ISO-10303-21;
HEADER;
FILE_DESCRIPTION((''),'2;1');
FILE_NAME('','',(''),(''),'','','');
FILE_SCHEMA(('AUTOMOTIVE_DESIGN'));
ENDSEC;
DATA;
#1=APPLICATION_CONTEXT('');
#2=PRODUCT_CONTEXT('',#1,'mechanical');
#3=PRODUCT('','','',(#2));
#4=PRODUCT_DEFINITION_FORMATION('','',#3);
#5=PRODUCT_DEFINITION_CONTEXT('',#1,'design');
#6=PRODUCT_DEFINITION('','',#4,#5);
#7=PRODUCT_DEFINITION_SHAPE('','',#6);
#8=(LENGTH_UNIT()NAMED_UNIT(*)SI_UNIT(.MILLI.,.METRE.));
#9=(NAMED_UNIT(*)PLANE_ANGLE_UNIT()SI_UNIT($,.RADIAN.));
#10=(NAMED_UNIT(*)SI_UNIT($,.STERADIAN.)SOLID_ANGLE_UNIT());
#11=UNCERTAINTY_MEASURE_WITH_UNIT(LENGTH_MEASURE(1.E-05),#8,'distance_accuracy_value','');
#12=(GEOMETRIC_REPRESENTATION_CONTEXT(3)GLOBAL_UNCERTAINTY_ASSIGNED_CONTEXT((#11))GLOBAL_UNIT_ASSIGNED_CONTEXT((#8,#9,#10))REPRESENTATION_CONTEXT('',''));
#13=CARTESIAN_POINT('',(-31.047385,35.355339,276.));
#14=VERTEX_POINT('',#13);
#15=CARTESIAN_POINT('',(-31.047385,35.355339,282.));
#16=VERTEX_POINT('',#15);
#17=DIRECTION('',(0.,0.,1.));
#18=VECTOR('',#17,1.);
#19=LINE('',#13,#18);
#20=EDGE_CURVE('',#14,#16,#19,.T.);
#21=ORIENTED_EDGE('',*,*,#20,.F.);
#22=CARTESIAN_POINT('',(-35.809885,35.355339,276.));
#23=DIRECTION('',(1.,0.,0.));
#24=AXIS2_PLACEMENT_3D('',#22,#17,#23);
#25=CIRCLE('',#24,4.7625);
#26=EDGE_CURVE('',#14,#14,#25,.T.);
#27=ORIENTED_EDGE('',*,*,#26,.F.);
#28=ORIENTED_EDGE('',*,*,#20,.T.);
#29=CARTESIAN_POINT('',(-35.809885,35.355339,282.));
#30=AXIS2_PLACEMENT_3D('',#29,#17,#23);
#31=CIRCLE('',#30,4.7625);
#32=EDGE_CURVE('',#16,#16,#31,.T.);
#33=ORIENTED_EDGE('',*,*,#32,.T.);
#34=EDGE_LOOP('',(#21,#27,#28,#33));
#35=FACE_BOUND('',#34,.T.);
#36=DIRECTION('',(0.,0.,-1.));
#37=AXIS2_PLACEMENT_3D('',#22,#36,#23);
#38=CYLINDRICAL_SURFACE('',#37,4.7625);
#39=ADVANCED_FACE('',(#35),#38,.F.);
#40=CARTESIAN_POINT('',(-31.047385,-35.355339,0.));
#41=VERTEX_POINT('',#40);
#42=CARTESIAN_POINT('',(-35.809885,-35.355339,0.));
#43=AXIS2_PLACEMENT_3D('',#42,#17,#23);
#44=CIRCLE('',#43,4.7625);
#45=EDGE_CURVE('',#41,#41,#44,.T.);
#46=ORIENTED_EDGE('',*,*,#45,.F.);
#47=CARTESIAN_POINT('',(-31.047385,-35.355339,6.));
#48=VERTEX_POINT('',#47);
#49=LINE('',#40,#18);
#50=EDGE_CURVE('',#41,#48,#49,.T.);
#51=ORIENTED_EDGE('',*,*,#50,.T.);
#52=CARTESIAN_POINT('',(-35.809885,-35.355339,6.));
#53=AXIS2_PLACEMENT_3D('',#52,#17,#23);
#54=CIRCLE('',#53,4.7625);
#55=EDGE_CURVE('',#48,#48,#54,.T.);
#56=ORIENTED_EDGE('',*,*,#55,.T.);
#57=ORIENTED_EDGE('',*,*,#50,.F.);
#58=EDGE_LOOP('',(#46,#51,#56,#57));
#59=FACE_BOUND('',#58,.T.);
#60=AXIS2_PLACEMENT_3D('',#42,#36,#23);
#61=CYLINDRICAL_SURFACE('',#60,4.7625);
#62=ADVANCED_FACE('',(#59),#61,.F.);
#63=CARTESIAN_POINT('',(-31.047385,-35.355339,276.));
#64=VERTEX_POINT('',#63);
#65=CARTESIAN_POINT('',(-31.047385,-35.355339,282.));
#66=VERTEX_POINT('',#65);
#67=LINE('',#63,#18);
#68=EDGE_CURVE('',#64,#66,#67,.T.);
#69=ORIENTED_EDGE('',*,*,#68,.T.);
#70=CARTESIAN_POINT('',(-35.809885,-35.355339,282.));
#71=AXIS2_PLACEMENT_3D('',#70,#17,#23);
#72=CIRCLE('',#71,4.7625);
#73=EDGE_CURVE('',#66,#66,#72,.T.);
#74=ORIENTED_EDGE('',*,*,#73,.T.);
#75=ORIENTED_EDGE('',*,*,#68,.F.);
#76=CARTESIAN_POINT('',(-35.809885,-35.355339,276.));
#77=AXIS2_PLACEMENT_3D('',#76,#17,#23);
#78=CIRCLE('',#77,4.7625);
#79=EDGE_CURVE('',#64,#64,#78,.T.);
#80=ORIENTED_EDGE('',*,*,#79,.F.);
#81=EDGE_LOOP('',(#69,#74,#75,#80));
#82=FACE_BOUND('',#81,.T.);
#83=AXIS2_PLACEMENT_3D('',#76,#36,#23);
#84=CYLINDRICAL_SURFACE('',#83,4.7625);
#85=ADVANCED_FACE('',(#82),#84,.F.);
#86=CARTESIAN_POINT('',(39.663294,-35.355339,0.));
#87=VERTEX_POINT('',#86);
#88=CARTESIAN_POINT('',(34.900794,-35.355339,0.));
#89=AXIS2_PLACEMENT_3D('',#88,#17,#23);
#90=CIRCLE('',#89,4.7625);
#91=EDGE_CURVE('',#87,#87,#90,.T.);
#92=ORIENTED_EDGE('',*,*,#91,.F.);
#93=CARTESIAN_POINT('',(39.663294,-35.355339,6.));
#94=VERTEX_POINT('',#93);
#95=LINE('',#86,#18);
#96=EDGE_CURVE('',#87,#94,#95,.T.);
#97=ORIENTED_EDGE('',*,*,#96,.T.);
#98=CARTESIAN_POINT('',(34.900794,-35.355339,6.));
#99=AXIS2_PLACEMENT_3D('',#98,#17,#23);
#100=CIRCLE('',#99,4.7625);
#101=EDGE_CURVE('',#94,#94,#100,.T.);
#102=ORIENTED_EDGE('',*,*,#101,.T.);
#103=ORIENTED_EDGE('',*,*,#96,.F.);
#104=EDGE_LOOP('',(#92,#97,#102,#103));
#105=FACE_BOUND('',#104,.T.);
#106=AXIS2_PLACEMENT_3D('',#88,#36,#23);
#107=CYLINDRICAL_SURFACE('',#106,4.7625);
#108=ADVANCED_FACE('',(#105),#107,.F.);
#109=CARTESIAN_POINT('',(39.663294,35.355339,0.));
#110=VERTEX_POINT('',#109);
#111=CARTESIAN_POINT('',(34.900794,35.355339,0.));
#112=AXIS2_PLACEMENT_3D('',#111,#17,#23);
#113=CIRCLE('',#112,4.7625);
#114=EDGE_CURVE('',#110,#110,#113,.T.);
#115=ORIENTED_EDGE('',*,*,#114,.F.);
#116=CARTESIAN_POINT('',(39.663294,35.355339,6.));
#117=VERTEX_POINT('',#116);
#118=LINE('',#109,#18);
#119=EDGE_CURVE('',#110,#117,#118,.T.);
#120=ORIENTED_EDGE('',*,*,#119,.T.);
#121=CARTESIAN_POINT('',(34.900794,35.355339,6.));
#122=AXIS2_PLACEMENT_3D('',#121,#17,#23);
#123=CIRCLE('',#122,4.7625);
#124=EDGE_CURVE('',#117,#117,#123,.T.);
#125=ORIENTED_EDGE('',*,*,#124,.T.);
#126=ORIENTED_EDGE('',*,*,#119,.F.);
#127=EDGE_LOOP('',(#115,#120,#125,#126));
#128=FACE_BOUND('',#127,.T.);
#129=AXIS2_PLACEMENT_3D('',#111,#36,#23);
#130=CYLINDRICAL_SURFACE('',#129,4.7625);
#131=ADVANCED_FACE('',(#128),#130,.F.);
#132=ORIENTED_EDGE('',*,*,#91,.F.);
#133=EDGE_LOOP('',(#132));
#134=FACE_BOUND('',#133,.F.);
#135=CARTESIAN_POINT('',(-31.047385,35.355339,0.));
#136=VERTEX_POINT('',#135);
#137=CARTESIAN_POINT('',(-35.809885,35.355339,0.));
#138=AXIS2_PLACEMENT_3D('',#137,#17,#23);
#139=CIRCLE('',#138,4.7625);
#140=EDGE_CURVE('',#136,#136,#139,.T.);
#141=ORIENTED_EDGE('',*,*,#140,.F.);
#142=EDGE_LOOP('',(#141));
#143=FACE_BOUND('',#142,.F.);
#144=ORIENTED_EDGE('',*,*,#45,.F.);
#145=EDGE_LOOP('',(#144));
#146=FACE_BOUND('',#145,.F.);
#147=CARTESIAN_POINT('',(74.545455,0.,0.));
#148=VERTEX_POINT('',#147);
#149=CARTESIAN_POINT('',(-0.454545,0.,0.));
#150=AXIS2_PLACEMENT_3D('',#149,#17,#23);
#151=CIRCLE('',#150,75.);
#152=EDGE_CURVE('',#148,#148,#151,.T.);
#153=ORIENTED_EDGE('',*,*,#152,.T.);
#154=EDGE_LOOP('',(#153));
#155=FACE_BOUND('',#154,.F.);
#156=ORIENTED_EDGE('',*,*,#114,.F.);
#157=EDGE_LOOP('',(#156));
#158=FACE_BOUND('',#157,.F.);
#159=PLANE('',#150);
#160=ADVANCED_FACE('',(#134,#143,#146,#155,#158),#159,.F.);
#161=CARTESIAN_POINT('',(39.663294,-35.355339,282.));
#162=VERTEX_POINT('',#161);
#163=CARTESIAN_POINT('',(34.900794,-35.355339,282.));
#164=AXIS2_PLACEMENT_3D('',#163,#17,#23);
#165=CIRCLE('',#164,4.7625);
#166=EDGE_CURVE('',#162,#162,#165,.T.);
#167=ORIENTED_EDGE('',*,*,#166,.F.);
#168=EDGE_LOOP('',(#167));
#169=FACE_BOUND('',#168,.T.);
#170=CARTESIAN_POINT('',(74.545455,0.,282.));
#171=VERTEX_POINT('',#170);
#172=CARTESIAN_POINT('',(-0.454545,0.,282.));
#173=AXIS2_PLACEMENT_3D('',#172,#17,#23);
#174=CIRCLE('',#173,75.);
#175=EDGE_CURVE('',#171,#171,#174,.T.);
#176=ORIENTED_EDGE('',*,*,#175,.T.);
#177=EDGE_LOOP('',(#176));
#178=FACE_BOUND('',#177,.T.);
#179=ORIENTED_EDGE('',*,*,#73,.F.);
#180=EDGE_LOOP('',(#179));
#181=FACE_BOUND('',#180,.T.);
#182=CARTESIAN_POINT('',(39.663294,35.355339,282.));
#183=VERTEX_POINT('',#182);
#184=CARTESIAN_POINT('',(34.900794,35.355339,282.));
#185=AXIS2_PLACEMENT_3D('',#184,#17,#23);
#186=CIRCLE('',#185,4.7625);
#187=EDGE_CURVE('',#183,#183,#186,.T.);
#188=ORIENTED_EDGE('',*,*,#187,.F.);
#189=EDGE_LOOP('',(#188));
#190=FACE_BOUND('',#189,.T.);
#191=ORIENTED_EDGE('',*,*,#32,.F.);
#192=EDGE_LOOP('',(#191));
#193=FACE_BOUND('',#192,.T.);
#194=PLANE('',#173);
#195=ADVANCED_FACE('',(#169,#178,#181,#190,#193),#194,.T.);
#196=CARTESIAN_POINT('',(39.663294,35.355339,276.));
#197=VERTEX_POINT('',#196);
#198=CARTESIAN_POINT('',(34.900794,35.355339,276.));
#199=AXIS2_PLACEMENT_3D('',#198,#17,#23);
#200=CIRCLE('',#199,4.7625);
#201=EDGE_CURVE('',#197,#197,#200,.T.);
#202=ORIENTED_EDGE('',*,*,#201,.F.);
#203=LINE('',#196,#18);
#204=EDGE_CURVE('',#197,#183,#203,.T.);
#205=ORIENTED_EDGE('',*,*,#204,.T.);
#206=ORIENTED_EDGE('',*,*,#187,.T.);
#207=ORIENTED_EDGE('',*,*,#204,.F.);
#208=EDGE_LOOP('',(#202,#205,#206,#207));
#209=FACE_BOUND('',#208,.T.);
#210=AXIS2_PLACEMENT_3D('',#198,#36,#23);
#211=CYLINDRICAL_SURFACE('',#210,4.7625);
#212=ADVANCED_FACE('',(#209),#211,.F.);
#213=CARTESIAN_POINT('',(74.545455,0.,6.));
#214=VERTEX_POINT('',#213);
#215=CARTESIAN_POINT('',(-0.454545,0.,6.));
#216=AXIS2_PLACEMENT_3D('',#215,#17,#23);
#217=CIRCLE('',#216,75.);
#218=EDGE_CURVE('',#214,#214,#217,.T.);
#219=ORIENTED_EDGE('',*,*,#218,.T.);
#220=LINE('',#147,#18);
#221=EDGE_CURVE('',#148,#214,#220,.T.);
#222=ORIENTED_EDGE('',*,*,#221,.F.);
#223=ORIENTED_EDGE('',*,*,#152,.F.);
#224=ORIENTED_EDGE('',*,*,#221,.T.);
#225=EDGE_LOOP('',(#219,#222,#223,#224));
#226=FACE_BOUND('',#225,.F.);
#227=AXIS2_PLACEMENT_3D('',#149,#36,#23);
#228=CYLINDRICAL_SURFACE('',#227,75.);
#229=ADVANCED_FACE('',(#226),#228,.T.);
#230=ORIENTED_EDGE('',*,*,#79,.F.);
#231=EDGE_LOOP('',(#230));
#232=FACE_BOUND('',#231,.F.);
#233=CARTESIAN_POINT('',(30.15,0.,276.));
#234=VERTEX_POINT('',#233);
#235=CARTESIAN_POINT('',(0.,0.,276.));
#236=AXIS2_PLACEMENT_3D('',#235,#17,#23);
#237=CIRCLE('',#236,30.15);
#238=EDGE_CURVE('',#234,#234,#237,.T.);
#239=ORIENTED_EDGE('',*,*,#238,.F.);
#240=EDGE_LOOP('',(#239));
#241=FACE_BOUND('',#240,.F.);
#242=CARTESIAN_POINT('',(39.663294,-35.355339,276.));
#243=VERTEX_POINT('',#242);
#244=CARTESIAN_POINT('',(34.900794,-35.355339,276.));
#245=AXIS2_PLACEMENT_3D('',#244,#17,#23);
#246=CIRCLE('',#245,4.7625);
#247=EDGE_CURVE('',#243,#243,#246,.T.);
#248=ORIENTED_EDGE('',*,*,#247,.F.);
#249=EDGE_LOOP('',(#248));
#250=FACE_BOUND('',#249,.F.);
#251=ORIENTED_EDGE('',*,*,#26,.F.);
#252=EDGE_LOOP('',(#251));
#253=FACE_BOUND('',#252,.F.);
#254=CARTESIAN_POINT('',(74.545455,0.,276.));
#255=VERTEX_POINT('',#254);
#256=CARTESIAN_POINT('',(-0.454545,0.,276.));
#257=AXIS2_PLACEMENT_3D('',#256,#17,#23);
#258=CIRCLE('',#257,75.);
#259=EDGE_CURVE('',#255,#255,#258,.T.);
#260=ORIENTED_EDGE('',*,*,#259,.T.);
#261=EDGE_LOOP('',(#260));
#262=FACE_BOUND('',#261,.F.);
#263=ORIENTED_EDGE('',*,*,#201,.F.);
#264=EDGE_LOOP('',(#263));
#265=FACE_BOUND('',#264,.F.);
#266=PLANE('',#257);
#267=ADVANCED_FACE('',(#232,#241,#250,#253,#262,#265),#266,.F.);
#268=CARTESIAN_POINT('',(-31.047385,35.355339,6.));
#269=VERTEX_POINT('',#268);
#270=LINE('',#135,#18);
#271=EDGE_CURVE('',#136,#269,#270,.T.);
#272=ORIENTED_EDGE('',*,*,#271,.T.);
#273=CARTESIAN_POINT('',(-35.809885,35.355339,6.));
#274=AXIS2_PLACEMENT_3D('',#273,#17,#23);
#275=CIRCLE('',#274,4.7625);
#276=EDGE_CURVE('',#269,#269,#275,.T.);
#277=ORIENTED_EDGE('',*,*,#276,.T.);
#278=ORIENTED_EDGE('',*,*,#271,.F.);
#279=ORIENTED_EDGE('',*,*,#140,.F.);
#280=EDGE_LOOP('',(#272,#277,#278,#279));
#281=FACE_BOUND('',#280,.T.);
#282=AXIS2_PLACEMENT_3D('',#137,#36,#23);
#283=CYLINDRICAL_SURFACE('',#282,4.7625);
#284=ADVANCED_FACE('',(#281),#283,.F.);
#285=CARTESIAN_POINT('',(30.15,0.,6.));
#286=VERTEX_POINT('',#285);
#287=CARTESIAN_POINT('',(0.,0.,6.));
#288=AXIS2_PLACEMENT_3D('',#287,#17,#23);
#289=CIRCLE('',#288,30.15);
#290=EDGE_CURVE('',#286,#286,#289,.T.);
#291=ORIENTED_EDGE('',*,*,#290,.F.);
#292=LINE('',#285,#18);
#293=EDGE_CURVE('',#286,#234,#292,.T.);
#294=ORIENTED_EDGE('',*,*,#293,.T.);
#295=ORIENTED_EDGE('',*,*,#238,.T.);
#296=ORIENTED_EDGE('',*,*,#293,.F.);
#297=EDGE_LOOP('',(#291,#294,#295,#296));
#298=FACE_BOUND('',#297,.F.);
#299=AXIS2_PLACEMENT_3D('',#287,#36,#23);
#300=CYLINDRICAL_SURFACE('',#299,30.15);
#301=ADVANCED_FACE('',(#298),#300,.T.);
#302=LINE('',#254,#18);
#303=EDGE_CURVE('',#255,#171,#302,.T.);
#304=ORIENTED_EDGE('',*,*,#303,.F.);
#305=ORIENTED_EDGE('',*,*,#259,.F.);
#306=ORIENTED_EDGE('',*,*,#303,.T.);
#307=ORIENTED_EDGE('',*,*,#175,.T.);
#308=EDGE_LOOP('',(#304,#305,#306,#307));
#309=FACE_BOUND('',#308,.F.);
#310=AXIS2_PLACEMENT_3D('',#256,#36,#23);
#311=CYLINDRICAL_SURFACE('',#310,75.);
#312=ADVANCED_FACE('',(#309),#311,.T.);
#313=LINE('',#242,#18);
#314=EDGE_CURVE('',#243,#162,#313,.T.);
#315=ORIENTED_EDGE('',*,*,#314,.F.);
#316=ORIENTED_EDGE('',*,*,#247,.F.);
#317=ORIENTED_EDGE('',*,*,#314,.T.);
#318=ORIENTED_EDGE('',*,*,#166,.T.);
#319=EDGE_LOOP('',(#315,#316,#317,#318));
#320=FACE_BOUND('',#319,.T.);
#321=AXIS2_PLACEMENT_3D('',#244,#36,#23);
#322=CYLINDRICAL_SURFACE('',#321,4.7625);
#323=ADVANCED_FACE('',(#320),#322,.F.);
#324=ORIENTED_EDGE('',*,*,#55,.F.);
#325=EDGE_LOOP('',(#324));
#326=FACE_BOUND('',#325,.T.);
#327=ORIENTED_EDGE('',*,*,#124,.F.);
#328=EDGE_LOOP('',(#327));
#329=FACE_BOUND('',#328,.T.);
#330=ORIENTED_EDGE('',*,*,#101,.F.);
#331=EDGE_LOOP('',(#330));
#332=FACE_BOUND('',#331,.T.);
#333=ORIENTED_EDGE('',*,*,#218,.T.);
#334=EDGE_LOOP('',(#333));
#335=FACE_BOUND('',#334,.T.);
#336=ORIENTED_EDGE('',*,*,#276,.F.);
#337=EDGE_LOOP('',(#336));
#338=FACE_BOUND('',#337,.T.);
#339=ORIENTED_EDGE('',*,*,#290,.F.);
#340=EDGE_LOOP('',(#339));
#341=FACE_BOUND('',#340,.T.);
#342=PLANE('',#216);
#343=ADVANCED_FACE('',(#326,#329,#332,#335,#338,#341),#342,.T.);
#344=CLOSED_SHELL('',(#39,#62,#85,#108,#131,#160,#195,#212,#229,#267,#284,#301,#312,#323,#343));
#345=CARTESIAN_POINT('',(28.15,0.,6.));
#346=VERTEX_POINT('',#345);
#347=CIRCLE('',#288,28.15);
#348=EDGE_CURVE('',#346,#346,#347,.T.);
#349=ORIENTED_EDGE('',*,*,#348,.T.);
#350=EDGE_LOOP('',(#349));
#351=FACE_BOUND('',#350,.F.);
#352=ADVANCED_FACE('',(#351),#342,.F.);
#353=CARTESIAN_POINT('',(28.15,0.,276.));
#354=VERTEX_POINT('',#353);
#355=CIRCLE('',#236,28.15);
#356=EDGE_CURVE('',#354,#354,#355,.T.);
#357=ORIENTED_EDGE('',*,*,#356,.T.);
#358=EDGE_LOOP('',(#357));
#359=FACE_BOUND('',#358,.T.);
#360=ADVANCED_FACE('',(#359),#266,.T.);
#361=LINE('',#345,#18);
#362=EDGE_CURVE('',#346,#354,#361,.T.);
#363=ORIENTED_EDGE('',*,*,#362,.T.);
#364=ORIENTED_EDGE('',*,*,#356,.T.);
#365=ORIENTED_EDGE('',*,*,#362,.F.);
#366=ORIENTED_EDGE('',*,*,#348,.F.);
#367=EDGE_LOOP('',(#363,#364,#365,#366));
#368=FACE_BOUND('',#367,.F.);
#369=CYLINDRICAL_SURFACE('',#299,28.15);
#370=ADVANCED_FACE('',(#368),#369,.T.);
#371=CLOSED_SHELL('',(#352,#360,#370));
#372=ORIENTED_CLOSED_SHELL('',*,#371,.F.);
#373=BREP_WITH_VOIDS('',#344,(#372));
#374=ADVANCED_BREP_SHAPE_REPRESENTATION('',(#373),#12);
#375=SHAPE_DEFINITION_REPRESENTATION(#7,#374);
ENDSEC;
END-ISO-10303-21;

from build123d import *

# Parameters (mm, degrees)
F0_R     = 75
F0_R_2   = 4.7625
F1_DEPTH = 6
F2_R     = 30.15
F2_R_2   = 28.15
F3_DEPTH = 270
F5_R     = 75
F5_R_2   = 4.7625
F6_DEPTH = 6


with BuildPart() as f1:
    # F0 (on Top) → F1 (new body)
    with BuildSketch(Plane.XY):
        with Locations((-0.454545, 0)):
            Circle(F0_R)
        with Locations((-35.809885, -35.355339)):
            Circle(F0_R_2, mode=Mode.SUBTRACT)
        with Locations((34.900794, -35.355339)):
            Circle(F0_R_2, mode=Mode.SUBTRACT)
        with Locations((-35.809885, 35.355339)):
            Circle(F0_R_2, mode=Mode.SUBTRACT)
        with Locations((34.900794, 35.355339)):
            Circle(F0_R_2, mode=Mode.SUBTRACT)
    extrude(amount=F1_DEPTH)

    # F2 (on face) → F3 (join)
    with BuildSketch(Plane.XY.offset(6)):
        Circle(F2_R)
        Circle(F2_R_2, mode=Mode.SUBTRACT)
    extrude(amount=F3_DEPTH)

    # F5 (on offset) → F6 (join)
    with BuildSketch(Plane.XY.offset(276)):
        with Locations((-0.454545, 0)):
            Circle(F5_R)
        with Locations((-35.809885, -35.355339)):
            Circle(F5_R_2, mode=Mode.SUBTRACT)
        with Locations((34.900794, -35.355339)):
            Circle(F5_R_2, mode=Mode.SUBTRACT)
        with Locations((-35.809885, 35.355339)):
            Circle(F5_R_2, mode=Mode.SUBTRACT)
        with Locations((34.900794, 35.355339)):
            Circle(F5_R_2, mode=Mode.SUBTRACT)
    extrude(amount=F6_DEPTH)


solid = f1.part
